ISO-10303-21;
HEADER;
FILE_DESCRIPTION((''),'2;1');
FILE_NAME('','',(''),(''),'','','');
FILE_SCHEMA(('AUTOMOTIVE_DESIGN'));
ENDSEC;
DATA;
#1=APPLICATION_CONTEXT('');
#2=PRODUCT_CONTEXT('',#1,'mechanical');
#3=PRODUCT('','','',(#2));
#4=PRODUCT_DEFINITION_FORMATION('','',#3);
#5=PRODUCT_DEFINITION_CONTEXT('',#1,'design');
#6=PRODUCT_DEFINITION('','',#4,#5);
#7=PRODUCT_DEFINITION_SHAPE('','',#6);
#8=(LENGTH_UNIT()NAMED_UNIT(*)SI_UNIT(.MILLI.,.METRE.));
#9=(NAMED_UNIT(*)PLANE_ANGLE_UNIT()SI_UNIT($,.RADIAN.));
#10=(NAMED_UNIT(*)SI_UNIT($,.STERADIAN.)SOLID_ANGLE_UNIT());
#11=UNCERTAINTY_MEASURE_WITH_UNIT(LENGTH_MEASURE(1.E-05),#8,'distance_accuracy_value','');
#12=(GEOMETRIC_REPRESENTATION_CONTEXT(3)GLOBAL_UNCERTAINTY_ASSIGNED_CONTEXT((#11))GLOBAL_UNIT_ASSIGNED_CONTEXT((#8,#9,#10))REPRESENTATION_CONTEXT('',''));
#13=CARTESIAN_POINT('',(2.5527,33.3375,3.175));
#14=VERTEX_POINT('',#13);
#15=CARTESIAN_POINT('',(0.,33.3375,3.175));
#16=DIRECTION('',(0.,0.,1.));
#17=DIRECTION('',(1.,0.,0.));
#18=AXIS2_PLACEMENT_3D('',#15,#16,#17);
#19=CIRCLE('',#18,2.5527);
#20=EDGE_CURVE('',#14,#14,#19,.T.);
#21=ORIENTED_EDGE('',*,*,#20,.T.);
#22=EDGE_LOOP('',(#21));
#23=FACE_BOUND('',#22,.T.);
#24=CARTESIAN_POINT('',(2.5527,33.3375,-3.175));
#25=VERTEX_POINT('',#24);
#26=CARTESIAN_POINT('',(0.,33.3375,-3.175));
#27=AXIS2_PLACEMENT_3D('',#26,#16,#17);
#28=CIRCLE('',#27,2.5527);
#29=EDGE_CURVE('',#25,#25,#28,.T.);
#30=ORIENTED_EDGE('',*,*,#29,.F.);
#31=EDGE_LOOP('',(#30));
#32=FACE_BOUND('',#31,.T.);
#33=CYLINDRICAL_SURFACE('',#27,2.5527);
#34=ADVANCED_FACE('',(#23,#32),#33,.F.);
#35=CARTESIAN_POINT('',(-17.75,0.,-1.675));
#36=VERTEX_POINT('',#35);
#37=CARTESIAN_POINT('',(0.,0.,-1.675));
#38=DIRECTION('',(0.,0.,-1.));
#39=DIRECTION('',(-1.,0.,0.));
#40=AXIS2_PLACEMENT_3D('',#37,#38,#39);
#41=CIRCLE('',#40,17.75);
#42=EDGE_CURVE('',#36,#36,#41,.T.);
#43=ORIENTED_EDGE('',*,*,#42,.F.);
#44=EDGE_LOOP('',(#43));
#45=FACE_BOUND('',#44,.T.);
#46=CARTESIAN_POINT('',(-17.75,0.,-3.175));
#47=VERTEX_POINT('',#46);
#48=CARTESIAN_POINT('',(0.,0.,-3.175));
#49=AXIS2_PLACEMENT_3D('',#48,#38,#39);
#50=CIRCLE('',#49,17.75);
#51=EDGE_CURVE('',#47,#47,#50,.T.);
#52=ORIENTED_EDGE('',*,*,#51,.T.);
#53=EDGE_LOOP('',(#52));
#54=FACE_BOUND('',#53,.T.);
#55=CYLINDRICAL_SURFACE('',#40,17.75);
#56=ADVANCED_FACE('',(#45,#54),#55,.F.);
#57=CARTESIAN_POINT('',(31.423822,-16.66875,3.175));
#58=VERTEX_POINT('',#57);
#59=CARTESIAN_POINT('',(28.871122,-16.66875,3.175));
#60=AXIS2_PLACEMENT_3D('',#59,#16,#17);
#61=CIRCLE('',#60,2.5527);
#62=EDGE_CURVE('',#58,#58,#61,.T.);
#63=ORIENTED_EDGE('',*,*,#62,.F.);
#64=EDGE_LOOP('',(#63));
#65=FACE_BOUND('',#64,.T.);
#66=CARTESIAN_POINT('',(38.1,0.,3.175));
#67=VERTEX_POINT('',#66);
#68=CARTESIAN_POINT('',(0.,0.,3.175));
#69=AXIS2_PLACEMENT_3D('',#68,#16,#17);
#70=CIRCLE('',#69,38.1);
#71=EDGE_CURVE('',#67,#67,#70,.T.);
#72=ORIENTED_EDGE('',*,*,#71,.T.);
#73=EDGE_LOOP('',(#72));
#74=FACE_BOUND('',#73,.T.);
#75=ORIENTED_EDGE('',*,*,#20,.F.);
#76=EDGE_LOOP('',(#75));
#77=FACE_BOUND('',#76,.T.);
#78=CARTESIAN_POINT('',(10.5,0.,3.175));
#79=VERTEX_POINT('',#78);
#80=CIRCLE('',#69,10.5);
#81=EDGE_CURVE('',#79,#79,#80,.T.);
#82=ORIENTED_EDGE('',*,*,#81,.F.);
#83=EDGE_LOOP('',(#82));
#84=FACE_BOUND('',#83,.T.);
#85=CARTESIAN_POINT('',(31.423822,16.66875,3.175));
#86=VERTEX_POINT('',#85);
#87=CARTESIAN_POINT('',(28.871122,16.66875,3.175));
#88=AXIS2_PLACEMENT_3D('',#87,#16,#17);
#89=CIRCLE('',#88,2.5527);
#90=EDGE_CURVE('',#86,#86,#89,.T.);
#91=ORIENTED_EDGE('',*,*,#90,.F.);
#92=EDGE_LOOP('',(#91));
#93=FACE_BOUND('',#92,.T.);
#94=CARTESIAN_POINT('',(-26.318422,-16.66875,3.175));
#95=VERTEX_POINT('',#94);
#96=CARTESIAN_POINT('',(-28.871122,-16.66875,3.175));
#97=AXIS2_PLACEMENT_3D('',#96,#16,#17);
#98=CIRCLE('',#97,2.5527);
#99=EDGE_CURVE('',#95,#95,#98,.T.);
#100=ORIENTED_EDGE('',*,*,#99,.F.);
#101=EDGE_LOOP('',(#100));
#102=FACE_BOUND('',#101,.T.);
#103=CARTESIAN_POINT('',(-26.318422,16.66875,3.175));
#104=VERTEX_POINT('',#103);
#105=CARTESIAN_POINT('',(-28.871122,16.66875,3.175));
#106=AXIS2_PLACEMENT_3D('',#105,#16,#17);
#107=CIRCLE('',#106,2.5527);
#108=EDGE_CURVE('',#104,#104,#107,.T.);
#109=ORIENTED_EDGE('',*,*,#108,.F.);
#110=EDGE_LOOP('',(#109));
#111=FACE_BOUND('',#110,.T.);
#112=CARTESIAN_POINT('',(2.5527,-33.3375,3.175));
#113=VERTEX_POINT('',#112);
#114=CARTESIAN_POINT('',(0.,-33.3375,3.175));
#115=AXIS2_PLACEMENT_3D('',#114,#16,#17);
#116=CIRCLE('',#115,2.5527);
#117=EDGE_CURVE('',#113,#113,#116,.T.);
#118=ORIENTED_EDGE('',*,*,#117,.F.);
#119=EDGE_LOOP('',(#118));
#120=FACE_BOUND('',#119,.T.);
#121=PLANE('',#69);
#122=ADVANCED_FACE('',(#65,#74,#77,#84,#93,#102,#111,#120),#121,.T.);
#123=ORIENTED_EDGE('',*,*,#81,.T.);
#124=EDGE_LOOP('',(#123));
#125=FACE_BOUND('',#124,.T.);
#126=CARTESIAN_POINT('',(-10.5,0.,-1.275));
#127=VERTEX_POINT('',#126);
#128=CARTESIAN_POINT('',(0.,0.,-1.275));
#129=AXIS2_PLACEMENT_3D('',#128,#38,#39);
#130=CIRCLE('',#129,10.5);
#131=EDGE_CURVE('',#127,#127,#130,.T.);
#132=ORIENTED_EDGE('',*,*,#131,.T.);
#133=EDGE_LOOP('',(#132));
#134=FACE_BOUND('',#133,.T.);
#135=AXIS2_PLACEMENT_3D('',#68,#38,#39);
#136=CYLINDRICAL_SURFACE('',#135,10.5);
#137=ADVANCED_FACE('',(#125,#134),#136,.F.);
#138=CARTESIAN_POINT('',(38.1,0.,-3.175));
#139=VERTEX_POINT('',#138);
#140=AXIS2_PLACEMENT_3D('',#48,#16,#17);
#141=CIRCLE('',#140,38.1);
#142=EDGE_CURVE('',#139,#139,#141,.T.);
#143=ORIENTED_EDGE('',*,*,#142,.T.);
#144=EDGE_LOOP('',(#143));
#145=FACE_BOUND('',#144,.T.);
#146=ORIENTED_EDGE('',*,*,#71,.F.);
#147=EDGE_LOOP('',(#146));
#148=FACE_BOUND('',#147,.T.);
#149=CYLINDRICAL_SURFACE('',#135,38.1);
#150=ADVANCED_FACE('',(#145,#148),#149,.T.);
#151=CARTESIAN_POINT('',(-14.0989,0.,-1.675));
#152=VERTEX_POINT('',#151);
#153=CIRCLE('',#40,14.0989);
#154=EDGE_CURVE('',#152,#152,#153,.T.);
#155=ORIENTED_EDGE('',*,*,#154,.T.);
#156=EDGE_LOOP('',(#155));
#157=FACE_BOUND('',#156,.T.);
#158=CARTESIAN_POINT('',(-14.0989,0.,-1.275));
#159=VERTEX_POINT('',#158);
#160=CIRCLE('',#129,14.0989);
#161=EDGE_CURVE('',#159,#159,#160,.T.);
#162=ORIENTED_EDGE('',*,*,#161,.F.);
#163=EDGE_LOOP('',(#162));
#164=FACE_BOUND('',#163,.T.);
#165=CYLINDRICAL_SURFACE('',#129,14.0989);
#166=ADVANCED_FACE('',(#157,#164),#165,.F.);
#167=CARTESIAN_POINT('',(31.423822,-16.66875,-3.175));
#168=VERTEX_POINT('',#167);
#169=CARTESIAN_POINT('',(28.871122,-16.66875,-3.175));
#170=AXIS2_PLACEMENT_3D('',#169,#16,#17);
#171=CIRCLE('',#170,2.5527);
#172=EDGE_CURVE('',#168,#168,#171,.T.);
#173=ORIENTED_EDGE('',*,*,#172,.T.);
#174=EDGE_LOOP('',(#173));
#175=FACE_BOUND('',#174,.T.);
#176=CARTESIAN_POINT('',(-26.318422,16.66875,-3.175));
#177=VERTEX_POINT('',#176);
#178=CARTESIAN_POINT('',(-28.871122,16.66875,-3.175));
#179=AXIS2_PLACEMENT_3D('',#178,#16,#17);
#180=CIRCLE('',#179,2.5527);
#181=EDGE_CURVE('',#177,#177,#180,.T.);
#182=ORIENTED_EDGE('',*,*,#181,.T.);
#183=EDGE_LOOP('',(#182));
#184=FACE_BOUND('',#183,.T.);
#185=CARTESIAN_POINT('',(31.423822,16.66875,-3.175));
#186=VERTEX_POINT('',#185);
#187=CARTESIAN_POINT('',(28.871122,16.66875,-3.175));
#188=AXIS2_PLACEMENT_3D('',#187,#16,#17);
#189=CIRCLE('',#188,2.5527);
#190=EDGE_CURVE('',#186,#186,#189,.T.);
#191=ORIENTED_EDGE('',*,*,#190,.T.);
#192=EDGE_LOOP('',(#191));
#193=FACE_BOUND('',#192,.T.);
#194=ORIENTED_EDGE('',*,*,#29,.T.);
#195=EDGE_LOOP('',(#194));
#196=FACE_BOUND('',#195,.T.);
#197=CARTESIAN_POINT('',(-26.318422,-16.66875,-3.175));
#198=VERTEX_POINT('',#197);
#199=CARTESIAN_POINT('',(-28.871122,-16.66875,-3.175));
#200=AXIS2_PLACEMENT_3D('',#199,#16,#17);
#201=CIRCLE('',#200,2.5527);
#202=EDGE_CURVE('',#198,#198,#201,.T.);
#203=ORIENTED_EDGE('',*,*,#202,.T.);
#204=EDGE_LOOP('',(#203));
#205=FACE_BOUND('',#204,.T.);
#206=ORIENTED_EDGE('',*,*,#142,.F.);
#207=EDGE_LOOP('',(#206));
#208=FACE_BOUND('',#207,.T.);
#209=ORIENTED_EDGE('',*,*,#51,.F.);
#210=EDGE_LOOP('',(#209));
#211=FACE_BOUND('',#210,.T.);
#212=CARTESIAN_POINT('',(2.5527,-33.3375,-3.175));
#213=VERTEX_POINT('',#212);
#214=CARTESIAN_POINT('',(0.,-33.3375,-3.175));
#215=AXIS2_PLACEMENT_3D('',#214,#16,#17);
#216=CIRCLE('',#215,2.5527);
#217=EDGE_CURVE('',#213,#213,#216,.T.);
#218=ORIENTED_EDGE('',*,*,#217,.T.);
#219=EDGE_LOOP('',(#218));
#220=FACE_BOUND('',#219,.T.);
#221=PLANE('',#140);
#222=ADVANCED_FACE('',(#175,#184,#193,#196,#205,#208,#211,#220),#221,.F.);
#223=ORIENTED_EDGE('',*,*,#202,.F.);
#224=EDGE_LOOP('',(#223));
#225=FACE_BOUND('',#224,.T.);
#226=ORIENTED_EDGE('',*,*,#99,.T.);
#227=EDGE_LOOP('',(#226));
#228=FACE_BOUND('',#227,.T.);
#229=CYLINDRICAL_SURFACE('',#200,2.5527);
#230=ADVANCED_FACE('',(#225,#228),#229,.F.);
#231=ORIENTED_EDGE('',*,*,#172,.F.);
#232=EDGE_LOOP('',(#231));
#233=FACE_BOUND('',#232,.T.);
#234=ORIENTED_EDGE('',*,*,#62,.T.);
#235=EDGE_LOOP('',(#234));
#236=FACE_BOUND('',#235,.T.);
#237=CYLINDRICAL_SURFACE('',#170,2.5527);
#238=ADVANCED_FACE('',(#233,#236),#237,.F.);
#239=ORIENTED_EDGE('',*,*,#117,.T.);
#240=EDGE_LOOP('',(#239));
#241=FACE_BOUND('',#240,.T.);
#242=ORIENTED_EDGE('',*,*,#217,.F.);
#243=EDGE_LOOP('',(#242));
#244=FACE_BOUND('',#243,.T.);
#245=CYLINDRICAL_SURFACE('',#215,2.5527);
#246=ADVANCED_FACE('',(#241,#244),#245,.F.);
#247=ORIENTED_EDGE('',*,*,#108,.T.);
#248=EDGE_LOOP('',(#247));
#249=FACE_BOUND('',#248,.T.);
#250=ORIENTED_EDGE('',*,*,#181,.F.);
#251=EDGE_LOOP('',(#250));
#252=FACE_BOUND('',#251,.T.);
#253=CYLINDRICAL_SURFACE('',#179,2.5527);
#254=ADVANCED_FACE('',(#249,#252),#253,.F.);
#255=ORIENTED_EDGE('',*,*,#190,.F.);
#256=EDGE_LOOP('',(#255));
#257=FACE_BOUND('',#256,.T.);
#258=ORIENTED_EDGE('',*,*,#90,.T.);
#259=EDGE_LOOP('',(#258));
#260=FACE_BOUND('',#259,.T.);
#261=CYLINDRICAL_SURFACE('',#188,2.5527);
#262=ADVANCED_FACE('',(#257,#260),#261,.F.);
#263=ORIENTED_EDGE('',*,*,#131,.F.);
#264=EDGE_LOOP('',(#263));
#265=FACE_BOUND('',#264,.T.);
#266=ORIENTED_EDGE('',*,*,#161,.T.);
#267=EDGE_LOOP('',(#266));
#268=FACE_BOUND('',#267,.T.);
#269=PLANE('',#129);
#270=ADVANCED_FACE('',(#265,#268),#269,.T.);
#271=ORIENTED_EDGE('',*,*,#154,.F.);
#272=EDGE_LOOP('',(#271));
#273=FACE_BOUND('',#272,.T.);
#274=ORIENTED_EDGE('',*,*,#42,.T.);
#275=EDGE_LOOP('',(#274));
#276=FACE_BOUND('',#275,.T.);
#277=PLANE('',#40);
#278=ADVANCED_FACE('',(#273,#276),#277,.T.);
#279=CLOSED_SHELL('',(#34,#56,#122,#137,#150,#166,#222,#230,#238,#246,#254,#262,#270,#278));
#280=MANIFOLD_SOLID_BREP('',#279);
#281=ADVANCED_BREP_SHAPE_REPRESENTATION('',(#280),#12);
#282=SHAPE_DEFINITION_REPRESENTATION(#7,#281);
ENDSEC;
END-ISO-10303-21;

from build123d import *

# Parameters (mm, degrees)
SKETCH1_R           = 38.1
SKETCH1_R_2         = 10.5
BOSS_EXTRUDE1_DEPTH = 3.175
SKETCH6_R           = 17.75000006
CUT_EXTRUDE2_DEPTH  = 1.500000048
SKETCH8_R           = 2.5527
CUT_EXTRUDE3_DEPTH  = 7.35
SKETCH9_R           = 14.09889992
CUT_EXTRUDE4_DEPTH  = 0.4


with BuildPart() as part:
    # Sketch1 → Boss-Extrude1 (new body, symmetric)
    with BuildSketch(Plane.XY):
        Circle(SKETCH1_R)
        Circle(SKETCH1_R_2, mode=Mode.SUBTRACT)
    extrude(amount=BOSS_EXTRUDE1_DEPTH, both=True)

    # Sketch6 → Cut-Extrude2 (cut)
    with BuildSketch(Plane(origin=(0, 0, -3.175), x_dir=(-1, 0, 0), z_dir=(0, 0, -1))):
        Circle(SKETCH6_R)
    extrude(amount=-CUT_EXTRUDE2_DEPTH, mode=Mode.SUBTRACT)

    # Sketch8 → Cut-Extrude3 (cut, through all)
    with BuildSketch(Plane.XY.offset(3.175)):
        with Locations((-28.871121899, 16.66875)):
            Circle(SKETCH8_R)
        with Locations((0, 33.3375)):
            Circle(SKETCH8_R)
        with Locations((28.871121899, 16.66875)):
            Circle(SKETCH8_R)
        with Locations((28.871121899, -16.66875)):
            Circle(SKETCH8_R)
        with Locations((0, -33.3375)):
            Circle(SKETCH8_R)
        with Locations((-28.871121899, -16.66875)):
            Circle(SKETCH8_R)
    extrude(amount=-CUT_EXTRUDE3_DEPTH, mode=Mode.SUBTRACT)

    # Sketch9 → Cut-Extrude4 (cut)
    with BuildSketch(Plane(origin=(0, 0, -1.674999952), x_dir=(-1, 0, 0), z_dir=(0, 0, -1))):
        Circle(SKETCH9_R)
    extrude(amount=-CUT_EXTRUDE4_DEPTH, mode=Mode.SUBTRACT)


solid = part.part
